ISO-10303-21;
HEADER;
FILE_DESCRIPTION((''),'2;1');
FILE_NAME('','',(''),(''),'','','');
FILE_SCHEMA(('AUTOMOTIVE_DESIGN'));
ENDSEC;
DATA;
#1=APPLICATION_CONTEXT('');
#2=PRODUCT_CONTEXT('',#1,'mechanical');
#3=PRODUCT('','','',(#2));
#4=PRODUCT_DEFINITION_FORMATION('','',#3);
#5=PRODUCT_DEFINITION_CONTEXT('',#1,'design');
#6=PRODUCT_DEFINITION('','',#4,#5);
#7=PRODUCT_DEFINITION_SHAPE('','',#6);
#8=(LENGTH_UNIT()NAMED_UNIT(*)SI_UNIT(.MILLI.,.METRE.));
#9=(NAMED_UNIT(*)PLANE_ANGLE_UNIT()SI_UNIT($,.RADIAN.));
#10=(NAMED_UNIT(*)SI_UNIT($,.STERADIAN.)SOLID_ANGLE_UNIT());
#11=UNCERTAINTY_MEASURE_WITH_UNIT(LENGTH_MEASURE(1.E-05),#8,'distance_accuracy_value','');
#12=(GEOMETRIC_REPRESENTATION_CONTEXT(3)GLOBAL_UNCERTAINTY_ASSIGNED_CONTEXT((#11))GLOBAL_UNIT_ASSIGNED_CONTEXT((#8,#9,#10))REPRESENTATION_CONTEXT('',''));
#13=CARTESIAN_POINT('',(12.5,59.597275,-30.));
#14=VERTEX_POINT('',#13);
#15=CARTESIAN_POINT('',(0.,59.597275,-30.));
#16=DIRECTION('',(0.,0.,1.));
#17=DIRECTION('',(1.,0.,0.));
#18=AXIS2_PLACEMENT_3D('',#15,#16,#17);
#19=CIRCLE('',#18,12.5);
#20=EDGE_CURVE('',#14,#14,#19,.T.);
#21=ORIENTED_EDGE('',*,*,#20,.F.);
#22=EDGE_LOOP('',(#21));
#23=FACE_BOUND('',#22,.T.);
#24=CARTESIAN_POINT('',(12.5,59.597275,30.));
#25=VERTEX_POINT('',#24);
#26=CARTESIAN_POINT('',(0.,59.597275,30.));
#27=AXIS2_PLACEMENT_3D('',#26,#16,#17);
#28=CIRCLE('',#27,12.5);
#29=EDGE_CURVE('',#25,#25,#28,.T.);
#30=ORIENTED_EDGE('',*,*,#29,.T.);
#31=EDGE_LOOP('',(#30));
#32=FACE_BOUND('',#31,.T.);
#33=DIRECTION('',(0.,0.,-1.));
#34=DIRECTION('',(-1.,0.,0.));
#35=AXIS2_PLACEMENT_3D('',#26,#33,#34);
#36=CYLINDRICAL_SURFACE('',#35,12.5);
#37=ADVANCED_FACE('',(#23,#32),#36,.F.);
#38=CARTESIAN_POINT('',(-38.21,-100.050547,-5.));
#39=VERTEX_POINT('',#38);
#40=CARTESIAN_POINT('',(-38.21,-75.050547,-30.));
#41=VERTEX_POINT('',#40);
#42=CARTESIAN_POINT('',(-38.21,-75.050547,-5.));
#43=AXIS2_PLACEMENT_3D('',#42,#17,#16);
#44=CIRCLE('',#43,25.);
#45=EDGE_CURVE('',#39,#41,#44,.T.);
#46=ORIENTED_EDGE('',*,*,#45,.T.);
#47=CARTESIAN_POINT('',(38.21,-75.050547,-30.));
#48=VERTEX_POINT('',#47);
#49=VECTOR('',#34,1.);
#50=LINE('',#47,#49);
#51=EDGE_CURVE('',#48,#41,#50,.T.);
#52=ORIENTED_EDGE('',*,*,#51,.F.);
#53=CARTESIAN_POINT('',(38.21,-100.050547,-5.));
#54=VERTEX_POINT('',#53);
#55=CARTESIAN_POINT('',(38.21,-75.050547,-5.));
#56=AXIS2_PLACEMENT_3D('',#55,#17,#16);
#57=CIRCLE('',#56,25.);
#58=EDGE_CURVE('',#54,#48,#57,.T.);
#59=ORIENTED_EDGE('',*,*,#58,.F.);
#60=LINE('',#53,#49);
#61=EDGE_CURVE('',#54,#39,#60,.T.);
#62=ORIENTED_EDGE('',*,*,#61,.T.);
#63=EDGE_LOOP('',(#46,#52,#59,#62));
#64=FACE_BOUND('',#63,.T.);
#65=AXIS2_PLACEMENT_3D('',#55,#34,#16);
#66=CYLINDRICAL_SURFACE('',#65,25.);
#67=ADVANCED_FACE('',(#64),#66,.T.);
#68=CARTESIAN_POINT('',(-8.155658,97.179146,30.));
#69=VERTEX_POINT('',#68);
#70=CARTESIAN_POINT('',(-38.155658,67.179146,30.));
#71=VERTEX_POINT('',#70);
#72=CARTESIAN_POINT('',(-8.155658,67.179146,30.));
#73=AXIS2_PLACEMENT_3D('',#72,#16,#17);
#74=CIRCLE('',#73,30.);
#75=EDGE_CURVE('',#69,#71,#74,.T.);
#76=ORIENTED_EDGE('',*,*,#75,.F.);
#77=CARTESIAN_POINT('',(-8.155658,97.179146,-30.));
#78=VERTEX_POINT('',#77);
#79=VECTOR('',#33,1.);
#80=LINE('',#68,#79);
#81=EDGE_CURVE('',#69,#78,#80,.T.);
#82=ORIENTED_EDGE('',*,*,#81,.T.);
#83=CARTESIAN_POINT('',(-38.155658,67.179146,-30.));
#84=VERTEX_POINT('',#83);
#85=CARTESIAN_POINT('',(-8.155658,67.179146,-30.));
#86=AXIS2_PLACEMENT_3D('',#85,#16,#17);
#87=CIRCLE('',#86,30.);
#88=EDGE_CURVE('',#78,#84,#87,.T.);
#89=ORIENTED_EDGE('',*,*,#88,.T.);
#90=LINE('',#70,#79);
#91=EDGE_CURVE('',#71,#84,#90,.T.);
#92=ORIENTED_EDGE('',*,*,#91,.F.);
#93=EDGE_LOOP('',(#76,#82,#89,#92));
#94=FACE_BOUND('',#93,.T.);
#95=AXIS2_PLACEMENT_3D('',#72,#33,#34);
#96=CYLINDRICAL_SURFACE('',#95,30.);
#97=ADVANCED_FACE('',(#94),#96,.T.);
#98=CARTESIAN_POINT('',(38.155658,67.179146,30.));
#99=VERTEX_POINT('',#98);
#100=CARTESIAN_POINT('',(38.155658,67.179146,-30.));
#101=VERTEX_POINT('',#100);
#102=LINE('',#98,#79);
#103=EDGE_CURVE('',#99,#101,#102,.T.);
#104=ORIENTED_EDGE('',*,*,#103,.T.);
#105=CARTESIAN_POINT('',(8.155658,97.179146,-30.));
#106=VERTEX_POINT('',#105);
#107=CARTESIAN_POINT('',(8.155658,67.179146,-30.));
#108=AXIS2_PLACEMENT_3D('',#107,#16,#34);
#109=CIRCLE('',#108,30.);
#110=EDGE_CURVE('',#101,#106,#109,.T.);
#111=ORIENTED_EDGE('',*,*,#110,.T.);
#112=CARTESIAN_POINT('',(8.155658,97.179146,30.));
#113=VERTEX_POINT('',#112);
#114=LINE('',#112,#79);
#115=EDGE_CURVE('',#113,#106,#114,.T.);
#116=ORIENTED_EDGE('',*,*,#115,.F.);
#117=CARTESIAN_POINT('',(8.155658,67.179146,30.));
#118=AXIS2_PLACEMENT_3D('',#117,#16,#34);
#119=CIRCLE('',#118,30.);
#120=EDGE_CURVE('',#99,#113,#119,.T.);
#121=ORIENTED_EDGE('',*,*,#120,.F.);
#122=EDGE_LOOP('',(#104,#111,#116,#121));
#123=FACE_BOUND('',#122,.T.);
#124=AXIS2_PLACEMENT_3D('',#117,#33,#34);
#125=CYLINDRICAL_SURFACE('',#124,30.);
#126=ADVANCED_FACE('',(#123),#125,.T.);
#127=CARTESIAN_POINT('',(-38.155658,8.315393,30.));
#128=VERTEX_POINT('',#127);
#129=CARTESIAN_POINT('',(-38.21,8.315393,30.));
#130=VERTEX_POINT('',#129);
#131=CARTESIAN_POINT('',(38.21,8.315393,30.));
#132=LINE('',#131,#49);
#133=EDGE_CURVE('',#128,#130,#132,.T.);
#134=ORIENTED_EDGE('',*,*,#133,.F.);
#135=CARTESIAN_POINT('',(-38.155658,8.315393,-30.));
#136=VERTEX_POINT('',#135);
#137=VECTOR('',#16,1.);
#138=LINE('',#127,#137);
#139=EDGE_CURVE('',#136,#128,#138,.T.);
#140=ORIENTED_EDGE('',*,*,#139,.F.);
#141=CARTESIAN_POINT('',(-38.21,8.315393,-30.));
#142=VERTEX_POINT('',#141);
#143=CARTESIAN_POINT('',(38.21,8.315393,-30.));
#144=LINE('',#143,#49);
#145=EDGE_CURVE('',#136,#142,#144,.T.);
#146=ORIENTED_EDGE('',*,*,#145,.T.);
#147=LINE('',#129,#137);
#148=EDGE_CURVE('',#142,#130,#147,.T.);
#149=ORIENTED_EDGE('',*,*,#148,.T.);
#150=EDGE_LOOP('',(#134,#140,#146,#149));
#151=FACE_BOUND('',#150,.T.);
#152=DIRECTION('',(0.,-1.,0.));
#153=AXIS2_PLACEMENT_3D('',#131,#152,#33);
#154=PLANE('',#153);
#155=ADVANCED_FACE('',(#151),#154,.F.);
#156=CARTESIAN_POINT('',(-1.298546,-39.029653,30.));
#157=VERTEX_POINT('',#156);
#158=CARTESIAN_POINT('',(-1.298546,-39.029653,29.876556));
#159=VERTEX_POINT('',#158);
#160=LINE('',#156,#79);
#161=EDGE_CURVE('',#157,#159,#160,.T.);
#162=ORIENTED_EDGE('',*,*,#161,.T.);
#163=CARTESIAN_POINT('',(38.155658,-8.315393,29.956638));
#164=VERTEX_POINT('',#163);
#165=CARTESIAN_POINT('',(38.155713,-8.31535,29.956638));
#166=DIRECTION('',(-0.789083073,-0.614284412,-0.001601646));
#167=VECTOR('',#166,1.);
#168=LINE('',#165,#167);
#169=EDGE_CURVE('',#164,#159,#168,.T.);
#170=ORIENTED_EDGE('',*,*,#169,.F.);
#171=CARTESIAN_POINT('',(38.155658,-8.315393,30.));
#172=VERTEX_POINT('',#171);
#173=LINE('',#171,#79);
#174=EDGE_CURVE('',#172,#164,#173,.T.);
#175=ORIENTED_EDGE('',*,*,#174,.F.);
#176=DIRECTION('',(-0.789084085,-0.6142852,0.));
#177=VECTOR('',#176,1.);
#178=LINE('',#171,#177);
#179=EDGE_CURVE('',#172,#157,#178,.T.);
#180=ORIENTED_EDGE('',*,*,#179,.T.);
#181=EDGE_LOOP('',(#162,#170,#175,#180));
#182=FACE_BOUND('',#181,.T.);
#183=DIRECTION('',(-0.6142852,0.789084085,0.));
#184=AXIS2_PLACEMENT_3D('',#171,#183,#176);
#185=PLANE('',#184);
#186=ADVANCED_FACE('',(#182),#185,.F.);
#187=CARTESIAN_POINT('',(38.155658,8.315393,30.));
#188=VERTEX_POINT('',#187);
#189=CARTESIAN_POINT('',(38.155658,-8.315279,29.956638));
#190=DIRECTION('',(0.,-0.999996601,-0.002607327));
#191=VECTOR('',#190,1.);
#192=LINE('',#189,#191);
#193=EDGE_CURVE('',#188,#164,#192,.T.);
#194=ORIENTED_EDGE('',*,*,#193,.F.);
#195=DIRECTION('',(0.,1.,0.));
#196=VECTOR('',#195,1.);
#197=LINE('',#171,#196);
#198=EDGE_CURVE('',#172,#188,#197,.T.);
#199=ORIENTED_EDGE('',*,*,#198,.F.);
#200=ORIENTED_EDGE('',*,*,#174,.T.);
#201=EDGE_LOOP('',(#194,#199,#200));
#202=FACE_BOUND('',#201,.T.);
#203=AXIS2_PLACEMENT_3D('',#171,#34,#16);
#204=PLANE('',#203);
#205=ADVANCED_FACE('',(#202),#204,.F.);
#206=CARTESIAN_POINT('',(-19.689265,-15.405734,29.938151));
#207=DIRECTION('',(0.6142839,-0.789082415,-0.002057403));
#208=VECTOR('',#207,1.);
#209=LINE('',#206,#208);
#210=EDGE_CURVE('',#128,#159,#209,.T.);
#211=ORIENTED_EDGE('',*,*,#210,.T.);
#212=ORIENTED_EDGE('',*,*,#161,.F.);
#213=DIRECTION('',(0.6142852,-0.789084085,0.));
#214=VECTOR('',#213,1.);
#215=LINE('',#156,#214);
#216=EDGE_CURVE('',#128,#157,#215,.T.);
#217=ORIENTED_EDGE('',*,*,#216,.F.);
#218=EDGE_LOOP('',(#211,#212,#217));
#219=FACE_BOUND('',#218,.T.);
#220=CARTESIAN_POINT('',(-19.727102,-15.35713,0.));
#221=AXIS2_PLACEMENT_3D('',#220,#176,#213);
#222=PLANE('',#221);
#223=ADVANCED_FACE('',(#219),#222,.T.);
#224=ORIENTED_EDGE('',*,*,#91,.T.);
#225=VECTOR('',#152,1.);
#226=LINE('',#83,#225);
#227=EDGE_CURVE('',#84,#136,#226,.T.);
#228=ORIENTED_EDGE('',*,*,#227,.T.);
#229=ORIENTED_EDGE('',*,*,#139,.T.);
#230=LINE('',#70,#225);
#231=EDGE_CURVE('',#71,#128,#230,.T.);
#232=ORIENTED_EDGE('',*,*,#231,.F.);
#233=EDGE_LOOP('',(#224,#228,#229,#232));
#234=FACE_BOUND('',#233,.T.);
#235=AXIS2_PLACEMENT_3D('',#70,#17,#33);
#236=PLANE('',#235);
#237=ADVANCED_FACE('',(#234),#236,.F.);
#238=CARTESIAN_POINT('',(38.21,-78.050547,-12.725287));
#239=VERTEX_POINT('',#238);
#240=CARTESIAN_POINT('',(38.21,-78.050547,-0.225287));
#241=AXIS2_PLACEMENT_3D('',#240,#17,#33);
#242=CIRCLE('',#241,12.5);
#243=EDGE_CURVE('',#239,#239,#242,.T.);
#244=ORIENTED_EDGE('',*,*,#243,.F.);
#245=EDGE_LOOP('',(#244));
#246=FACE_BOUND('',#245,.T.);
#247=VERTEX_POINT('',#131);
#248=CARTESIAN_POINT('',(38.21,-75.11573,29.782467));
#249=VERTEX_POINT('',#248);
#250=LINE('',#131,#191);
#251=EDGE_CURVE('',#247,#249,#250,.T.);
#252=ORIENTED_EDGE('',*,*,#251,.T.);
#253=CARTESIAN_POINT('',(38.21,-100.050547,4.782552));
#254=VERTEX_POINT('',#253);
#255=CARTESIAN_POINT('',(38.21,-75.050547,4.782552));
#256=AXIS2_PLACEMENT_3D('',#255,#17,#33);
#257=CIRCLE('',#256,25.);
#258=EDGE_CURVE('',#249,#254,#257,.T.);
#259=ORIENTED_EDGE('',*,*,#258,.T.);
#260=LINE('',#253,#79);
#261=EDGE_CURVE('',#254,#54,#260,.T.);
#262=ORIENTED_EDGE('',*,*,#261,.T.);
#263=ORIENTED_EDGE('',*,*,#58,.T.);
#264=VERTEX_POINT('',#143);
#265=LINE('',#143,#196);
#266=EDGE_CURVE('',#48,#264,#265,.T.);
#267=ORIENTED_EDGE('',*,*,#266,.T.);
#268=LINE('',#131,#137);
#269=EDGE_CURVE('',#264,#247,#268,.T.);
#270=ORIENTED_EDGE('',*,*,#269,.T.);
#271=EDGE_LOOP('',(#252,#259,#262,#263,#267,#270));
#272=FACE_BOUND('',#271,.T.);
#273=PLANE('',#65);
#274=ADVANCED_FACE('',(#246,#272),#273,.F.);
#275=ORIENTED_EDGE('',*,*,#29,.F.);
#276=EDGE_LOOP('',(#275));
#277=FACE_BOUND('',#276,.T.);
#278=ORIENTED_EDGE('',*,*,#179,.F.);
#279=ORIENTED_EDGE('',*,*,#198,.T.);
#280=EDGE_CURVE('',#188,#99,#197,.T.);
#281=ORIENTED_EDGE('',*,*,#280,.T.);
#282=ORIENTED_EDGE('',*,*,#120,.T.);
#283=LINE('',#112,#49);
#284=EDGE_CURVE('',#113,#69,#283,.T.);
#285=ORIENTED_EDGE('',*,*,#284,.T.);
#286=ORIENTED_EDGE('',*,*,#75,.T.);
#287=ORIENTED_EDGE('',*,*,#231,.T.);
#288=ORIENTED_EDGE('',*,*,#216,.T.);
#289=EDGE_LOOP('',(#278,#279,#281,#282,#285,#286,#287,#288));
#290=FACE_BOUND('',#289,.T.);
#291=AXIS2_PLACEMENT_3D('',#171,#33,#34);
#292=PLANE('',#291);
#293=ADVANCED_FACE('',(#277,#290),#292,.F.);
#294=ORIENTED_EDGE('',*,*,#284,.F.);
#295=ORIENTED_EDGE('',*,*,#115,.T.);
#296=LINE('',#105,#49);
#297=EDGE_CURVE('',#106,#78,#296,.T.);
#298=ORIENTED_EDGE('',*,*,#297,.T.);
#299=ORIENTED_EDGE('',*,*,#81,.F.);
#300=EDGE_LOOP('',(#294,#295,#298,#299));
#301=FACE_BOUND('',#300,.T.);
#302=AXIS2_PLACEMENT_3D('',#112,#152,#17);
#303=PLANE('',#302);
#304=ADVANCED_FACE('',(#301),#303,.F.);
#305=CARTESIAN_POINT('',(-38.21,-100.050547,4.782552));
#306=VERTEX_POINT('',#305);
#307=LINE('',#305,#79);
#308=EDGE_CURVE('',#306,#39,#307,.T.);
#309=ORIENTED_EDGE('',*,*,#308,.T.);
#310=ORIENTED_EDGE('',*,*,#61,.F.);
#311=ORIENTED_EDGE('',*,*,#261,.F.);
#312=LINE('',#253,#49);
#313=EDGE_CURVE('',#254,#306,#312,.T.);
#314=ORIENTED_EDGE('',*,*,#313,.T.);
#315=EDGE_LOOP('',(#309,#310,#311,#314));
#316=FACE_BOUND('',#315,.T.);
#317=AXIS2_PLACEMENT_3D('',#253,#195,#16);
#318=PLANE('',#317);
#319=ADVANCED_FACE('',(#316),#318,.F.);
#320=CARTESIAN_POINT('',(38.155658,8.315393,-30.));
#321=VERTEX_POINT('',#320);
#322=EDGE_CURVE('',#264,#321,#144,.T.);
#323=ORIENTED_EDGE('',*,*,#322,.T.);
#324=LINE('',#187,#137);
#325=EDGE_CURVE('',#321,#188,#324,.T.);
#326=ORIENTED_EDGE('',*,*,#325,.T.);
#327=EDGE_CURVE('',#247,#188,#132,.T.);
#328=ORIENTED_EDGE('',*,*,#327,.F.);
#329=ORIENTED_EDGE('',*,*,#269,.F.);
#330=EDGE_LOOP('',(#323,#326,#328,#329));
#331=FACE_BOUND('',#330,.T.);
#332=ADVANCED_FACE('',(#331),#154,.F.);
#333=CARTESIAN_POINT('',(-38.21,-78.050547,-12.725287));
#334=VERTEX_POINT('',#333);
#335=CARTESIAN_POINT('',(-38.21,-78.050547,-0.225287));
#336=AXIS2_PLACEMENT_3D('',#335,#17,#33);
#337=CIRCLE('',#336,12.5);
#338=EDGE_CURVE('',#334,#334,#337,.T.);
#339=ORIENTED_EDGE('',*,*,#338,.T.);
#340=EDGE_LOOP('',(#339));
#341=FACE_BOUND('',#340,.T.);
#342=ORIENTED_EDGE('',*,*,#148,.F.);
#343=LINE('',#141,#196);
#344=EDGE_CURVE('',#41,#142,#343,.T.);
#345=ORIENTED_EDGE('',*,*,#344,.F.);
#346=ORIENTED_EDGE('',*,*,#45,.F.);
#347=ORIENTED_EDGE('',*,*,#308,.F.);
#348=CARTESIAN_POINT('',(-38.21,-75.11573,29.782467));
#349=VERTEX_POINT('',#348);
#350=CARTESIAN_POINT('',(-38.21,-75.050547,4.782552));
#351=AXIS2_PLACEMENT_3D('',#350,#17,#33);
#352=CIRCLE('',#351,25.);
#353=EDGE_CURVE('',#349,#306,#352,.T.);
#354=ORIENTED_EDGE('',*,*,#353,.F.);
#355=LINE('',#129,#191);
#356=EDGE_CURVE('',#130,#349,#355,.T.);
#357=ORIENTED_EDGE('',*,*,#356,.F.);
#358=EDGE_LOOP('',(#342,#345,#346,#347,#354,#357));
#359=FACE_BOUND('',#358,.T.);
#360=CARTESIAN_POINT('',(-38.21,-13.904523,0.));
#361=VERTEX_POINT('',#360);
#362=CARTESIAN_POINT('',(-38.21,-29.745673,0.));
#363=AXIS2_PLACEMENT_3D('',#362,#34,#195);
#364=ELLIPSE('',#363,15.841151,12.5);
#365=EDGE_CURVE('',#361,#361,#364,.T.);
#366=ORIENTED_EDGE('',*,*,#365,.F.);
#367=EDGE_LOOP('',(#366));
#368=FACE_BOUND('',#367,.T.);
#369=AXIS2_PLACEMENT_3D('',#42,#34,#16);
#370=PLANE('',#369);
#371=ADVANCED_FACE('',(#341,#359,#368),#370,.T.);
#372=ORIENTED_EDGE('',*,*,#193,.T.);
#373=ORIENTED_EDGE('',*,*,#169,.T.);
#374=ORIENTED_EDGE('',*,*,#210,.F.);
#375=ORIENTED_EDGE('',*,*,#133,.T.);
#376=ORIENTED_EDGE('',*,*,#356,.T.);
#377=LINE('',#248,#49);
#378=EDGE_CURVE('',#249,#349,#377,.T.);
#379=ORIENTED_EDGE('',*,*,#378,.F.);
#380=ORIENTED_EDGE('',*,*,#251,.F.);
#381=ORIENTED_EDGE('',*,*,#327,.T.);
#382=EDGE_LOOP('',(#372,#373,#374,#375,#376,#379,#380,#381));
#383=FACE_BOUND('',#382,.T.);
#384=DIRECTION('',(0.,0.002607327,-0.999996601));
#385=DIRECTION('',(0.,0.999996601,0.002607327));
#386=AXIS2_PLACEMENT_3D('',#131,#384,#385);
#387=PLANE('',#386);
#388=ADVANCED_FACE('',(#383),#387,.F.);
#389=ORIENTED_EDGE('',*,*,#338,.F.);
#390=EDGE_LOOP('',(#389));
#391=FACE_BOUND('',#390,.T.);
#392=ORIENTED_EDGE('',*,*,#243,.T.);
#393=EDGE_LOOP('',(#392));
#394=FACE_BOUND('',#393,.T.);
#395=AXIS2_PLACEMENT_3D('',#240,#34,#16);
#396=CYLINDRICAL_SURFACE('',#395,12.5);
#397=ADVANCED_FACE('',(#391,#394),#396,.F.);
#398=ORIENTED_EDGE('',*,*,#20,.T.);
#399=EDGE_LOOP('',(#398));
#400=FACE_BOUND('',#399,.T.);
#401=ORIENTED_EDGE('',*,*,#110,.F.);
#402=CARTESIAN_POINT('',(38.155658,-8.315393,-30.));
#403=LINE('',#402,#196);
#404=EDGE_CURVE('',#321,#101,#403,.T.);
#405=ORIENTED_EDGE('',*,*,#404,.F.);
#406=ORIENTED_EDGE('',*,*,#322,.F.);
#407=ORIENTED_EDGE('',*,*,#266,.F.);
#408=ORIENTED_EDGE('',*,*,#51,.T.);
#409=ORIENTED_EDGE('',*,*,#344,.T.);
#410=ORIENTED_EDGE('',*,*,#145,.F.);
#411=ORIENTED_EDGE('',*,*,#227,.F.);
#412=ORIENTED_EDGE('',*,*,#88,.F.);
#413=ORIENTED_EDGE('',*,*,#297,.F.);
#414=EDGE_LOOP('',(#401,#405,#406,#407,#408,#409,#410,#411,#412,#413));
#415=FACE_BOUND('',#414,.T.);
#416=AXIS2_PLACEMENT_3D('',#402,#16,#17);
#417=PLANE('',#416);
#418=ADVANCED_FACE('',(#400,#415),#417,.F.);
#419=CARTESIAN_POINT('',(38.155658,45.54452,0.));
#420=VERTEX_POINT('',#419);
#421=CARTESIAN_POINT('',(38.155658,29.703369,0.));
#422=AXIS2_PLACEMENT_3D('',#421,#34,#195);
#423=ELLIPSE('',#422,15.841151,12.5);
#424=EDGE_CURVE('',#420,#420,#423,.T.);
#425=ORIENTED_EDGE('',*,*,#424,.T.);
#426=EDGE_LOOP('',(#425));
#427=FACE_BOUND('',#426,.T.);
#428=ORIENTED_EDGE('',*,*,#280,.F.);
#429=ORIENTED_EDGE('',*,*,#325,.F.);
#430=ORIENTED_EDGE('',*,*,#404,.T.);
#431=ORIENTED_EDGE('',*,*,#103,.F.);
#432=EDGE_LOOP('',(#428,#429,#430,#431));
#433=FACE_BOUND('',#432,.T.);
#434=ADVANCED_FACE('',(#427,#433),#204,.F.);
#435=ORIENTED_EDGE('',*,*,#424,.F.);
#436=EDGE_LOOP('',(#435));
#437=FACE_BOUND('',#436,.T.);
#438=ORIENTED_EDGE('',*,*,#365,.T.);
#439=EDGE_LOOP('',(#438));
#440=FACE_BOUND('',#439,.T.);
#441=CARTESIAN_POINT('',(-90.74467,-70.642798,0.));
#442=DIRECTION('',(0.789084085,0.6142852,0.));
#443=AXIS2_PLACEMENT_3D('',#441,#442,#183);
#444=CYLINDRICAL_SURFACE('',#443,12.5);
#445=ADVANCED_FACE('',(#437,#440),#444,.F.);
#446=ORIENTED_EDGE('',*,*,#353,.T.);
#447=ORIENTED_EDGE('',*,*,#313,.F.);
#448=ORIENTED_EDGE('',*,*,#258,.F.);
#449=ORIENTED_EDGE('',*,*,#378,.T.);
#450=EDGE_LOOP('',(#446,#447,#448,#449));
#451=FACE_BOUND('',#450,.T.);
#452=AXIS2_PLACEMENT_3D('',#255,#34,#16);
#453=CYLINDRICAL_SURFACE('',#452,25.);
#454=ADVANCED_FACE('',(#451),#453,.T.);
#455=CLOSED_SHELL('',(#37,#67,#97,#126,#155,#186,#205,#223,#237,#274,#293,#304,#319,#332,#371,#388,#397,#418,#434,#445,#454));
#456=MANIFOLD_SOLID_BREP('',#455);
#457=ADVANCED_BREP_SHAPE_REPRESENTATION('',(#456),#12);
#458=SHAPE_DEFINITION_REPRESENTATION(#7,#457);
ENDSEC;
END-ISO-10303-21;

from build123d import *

# Parameters (mm, degrees)
SKETCH5_W           = 60
SKETCH5_H           = 60
SKETCH5_R           = 12.5
BOSS_EXTRUDE3_DEPTH = 25
SKETCH9_R           = 12.5
BOSS_EXTRUDE5_DEPTH = 30
SKETCH10_R          = 12.5
BOSS_EXTRUDE6_DEPTH = 38.21
SKETCH5_2_R         = 12.5
CUT_EXTRUDE2_DEPTH  = 115


with BuildPart() as part:
    # Sketch5 → Boss-Extrude3 (new, symmetric)
    with BuildSketch(Plane(origin=(0, 0, 0), x_dir=(0, 0, -1), z_dir=(0.7890840848346939, 0.6142852000989389, 0))):
        Rectangle(SKETCH5_W, SKETCH5_H)
        Circle(SKETCH5_R, mode=Mode.SUBTRACT)
    extrude(amount=BOSS_EXTRUDE3_DEPTH, both=True)

    # Sketch9 → Boss-Extrude5 (add, symmetric)
    with BuildSketch(Plane.XY):
        with BuildLine():
            Line((38.155658124, -8.315392543), (38.155658124, 67.179146139))
            ThreePointArc((38.155658124, 67.179146139), (29.368861559, 88.392349575), (8.155658124, 97.179146139))
            Line((8.155658124, 97.179146139), (-8.155658124, 97.179146139))
            ThreePointArc((-8.155658124, 97.179146139), (-29.368861559, 88.392349575), (-38.155658124, 67.179146139))
            Line((-38.155658124, 67.179146139), (-38.155658124, 8.315392543))
            Line((-38.155658124, 8.315392543), (38.155658124, -8.315392543))
        make_face()
        with Locations((0, 59.597275262)):
            Circle(SKETCH9_R, mode=Mode.SUBTRACT)
    extrude(amount=BOSS_EXTRUDE5_DEPTH, both=True)

    # Sketch10 → Boss-Extrude6 (add, symmetric)
    with BuildSketch(Plane(origin=(0, 0, 0), x_dir=(0, 0, -1), z_dir=(1, 0, 0))):
        with BuildLine():
            Line((-4.782552043, -100.050547257), (5, -100.050547257))
            ThreePointArc((5, -100.050547257), (22.67766953, -92.728216787), (30, -75.050547257))
            Line((30, -75.050547257), (30, 8.315392543))
            Line((30, 8.315392543), (-30, 8.315392543))
            Line((-30, 8.315392543), (-29.782467066, -75.115730425))
            ThreePointArc((-29.782467066, -75.115730425), (-22.437160802, -92.751247514), (-4.782552043, -100.050547257))
        make_face()
        with Locations((0.225286959, -78.050547257)):
            Circle(SKETCH10_R, mode=Mode.SUBTRACT)
    extrude(amount=BOSS_EXTRUDE6_DEPTH, both=True)

    # Sketch5<2> → Cut-Extrude2 (cut, symmetric)
    with BuildSketch(Plane(origin=(0, 0, 0), x_dir=(0, 0, -1), z_dir=(0.7890840848346939, 0.6142852000989389, 0))):
        Circle(SKETCH5_2_R)
    extrude(amount=CUT_EXTRUDE2_DEPTH, both=True, mode=Mode.SUBTRACT)


solid = part.part
